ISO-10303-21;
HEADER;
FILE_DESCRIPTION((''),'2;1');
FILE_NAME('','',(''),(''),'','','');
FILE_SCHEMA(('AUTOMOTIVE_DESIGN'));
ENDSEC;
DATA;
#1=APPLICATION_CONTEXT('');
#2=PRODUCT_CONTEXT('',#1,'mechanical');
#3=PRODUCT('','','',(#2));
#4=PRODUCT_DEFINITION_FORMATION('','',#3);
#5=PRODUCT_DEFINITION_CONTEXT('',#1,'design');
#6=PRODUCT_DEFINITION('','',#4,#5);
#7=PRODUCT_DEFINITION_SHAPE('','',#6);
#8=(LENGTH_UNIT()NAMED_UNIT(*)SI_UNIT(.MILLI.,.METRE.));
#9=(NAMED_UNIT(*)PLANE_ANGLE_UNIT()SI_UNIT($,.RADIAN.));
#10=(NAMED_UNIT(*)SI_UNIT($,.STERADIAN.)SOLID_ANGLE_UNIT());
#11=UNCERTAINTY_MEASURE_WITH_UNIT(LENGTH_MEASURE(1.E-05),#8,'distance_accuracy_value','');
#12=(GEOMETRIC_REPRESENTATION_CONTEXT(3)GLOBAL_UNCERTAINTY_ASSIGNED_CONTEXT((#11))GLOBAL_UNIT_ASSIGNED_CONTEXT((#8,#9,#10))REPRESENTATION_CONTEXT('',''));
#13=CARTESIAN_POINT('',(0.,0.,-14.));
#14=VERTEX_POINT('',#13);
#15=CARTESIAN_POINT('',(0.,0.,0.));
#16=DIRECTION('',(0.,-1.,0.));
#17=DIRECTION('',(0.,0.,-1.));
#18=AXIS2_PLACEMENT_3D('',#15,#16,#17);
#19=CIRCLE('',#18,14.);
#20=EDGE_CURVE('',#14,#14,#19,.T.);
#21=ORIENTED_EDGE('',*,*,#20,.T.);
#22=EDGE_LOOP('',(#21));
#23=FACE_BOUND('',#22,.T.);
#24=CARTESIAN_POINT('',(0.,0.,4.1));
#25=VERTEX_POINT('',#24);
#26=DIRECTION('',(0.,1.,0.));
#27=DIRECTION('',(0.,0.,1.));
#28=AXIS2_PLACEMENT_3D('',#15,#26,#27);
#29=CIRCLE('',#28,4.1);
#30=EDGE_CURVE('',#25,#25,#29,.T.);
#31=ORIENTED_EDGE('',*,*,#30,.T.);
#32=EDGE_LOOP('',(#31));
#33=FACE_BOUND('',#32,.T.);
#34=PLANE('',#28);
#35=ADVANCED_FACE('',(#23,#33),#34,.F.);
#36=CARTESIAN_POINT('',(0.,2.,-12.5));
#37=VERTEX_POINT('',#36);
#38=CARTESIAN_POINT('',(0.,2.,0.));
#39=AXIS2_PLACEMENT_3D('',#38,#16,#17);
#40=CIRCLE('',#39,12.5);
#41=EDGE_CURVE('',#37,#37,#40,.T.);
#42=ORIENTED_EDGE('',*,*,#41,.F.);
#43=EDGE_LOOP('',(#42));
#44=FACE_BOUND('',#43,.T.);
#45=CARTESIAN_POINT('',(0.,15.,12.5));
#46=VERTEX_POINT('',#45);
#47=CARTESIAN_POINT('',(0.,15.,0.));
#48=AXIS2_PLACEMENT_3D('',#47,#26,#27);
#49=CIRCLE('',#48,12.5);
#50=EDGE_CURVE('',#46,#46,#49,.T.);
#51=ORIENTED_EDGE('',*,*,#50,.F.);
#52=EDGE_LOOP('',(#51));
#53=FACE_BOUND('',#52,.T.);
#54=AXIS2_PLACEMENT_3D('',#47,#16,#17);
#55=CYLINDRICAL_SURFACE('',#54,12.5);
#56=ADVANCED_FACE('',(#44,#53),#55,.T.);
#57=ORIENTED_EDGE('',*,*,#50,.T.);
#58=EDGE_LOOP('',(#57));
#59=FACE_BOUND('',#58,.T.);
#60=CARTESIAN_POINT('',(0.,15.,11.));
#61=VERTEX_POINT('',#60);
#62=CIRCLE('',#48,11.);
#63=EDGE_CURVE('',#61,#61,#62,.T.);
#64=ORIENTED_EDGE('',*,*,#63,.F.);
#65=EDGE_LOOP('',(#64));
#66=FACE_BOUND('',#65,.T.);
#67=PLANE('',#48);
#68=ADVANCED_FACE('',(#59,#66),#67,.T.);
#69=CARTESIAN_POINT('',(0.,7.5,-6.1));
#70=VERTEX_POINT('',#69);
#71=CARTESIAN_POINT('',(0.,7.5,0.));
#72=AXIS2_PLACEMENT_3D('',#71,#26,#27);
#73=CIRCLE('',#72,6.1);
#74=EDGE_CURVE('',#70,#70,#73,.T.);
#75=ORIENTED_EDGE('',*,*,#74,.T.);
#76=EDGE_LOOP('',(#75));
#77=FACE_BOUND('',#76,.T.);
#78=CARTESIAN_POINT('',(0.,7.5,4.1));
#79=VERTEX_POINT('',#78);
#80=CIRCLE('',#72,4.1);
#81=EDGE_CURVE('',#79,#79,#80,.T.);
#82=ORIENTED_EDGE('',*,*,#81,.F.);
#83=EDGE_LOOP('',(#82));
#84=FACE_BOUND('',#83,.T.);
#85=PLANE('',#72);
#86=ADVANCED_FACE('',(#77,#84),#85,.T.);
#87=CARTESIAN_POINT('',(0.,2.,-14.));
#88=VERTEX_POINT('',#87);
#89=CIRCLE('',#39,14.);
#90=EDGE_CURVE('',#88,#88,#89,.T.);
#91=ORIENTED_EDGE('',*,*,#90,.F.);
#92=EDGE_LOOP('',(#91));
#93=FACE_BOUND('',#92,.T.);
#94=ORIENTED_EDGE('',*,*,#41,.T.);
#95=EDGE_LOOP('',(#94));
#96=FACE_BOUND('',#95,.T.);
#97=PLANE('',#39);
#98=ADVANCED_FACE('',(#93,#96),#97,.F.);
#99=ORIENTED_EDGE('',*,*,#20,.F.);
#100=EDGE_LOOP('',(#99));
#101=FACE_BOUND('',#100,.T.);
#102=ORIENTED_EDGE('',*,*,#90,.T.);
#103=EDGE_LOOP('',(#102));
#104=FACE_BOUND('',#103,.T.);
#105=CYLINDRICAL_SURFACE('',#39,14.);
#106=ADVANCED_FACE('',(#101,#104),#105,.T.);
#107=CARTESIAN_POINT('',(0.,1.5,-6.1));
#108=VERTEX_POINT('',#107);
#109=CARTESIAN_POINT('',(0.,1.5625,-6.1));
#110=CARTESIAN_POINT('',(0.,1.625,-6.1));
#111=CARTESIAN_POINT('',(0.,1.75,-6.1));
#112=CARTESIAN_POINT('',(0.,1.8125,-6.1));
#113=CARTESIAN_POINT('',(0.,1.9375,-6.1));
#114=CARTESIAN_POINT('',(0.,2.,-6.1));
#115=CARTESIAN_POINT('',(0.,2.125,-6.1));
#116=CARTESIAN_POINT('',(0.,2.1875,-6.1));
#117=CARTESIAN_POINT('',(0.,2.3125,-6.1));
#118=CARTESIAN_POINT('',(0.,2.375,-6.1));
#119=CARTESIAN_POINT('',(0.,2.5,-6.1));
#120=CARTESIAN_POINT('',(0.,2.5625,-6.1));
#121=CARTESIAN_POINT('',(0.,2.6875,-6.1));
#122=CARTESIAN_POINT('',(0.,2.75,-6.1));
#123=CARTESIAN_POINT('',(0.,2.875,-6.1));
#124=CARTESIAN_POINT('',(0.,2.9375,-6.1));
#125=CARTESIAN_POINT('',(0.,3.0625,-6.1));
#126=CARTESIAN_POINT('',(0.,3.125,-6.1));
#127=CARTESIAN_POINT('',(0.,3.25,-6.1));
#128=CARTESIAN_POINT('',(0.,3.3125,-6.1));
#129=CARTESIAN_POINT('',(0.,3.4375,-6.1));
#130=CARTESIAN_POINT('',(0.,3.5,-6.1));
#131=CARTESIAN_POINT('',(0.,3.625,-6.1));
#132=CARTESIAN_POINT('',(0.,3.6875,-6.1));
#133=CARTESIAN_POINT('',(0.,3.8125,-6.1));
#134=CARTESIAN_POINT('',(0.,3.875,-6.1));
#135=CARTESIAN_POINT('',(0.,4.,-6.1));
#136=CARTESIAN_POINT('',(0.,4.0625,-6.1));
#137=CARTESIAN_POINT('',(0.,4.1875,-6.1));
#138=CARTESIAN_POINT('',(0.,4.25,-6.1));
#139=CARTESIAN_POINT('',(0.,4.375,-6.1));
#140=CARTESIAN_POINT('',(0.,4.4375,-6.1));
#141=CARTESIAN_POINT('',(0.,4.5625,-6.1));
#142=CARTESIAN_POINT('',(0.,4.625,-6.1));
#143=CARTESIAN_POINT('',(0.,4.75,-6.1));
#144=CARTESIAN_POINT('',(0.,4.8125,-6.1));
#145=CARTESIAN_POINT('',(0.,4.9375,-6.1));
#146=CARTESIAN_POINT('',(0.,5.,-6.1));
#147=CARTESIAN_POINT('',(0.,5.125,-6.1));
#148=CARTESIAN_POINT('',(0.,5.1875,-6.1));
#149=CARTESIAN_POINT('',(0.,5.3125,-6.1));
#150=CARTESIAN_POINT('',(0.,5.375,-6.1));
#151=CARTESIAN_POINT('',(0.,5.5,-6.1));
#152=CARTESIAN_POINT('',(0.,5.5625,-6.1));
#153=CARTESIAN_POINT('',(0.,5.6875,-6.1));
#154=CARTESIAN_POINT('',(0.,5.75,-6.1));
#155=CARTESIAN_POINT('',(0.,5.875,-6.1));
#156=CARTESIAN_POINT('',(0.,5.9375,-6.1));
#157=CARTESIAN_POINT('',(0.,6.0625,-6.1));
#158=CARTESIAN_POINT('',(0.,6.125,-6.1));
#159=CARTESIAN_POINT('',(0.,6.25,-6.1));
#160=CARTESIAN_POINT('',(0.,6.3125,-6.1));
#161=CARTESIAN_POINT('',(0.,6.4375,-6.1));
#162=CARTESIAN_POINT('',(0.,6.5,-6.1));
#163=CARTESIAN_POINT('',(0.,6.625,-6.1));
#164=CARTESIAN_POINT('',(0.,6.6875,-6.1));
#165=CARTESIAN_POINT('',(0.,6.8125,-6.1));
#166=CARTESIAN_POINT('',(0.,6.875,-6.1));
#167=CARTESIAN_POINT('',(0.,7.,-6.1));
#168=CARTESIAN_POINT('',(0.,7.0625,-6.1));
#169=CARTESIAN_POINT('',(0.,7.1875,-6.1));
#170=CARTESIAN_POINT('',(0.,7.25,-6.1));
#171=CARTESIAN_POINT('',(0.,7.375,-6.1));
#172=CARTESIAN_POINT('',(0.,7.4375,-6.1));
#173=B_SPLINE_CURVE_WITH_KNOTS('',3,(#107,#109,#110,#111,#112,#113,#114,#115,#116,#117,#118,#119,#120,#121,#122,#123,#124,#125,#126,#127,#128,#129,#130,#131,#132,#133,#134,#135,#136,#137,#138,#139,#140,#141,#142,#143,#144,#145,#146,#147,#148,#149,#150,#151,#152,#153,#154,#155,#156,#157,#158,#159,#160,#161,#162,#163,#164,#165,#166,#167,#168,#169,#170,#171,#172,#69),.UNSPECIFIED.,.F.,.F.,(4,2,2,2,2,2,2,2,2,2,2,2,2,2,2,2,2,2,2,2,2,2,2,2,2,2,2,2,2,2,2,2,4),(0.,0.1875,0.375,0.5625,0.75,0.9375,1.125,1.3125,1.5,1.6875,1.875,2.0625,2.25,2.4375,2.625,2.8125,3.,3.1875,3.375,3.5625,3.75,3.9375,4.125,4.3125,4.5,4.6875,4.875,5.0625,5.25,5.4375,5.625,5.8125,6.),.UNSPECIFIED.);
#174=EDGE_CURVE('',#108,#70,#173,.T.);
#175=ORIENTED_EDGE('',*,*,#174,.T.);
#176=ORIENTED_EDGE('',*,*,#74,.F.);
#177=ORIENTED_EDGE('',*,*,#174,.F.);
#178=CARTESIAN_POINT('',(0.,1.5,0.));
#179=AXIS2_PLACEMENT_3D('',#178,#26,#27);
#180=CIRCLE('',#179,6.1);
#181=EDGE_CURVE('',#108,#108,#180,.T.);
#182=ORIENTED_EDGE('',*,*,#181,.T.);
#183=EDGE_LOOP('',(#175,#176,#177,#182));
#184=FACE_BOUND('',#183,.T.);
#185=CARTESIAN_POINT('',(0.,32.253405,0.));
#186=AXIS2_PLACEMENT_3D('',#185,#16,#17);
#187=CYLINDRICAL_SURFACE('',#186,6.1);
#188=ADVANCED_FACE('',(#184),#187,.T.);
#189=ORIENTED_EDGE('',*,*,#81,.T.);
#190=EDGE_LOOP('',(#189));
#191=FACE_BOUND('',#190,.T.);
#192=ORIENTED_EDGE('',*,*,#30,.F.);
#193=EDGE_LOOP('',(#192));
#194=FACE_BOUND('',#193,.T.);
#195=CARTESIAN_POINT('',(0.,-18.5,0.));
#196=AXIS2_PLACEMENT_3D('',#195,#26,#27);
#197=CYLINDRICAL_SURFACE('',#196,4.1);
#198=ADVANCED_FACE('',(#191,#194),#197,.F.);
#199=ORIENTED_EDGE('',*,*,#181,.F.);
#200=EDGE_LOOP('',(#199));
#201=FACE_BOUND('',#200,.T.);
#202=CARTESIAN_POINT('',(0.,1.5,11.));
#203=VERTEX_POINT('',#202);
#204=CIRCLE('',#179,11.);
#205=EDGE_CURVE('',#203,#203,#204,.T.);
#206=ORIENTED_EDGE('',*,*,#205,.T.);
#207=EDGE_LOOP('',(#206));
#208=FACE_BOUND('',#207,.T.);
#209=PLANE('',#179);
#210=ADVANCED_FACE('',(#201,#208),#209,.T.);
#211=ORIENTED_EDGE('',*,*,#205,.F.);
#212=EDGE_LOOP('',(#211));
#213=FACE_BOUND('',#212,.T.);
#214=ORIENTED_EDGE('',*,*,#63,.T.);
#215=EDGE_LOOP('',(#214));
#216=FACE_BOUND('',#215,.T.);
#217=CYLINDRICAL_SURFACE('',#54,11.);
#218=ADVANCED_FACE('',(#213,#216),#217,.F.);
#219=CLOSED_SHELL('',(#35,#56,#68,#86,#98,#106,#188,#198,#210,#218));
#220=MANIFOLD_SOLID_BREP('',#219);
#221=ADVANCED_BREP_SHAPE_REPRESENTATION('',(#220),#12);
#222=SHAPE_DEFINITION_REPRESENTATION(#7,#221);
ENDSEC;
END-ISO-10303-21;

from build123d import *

# Parameters (mm, degrees)
SKETCH1_R           = 12.5
BOSS_EXTRUDE1_DEPTH = 15
SHELL1_T            = -1.5
SKETCH2_R           = 4.1
CUT_EXTRUDE1_DEPTH  = 20
BOSS_EXTRUDE2_START = 6
SKETCH3_R           = 6.1
SKETCH3_R_2         = 4.1
BOSS_EXTRUDE2_DEPTH = 6
SKETCH4_R           = 14
SKETCH4_R_2         = 11.5
BOSS_EXTRUDE3_DEPTH = 2


with BuildPart() as part:
    # Sketch1 → Boss-Extrude1 (new body)
    with BuildSketch(Plane(origin=(0, 0, 0), x_dir=(1, 0, 0), z_dir=(0, 1, 0))):
        with Locations(Location((0, 0, 0), (0, 0, 270))):
            Circle(SKETCH1_R)
    extrude(amount=BOSS_EXTRUDE1_DEPTH)

    # Shell1
    shell1_openings = [part.faces().sort_by_distance(p)[0] for p in [
        (0, 15, 0),
    ]]
    offset(amount=SHELL1_T, openings=shell1_openings, kind=Kind.INTERSECTION)

    # Sketch2 → Cut-Extrude1 (cut)
    with BuildSketch(Plane(origin=(0, 1.5, 0), x_dir=(1, 0, 0), z_dir=(0, 1, 0))):
        with Locations(Location((0, 0, 0), (0, 0, 270))):
            Circle(SKETCH2_R)
    extrude(amount=-CUT_EXTRUDE1_DEPTH, mode=Mode.SUBTRACT)

    # Sketch3 → Boss-Extrude2 (add)
    with BuildSketch(Plane(origin=(0, 1.5, 0), x_dir=(1, 0, 0), z_dir=(0, 1, 0)).offset(BOSS_EXTRUDE2_START)):
        with Locations(Location((0, 0, 0), (0, 0, 90))):
            Circle(SKETCH3_R)
        with Locations(Location((0, 0, 0), (0, 0, 270))):
            Circle(SKETCH3_R_2, mode=Mode.SUBTRACT)
    extrude(amount=-BOSS_EXTRUDE2_DEPTH)


with BuildPart() as body_2:
    # Sketch4 → Boss-Extrude3 (new body)
    with BuildSketch(Plane.XZ):
        with Locations(Location((0, 0, 0), (0, 0, 270))):
            Circle(SKETCH4_R)
        with Locations(Location((0, 0, 0), (0, 0, 270))):
            Circle(SKETCH4_R_2, mode=Mode.SUBTRACT)
    extrude(amount=-BOSS_EXTRUDE3_DEPTH)


with BuildPart() as part_1:
    add(part.part)

    # Combine1: union body 2
    add(body_2.part)


solid = part_1.part
